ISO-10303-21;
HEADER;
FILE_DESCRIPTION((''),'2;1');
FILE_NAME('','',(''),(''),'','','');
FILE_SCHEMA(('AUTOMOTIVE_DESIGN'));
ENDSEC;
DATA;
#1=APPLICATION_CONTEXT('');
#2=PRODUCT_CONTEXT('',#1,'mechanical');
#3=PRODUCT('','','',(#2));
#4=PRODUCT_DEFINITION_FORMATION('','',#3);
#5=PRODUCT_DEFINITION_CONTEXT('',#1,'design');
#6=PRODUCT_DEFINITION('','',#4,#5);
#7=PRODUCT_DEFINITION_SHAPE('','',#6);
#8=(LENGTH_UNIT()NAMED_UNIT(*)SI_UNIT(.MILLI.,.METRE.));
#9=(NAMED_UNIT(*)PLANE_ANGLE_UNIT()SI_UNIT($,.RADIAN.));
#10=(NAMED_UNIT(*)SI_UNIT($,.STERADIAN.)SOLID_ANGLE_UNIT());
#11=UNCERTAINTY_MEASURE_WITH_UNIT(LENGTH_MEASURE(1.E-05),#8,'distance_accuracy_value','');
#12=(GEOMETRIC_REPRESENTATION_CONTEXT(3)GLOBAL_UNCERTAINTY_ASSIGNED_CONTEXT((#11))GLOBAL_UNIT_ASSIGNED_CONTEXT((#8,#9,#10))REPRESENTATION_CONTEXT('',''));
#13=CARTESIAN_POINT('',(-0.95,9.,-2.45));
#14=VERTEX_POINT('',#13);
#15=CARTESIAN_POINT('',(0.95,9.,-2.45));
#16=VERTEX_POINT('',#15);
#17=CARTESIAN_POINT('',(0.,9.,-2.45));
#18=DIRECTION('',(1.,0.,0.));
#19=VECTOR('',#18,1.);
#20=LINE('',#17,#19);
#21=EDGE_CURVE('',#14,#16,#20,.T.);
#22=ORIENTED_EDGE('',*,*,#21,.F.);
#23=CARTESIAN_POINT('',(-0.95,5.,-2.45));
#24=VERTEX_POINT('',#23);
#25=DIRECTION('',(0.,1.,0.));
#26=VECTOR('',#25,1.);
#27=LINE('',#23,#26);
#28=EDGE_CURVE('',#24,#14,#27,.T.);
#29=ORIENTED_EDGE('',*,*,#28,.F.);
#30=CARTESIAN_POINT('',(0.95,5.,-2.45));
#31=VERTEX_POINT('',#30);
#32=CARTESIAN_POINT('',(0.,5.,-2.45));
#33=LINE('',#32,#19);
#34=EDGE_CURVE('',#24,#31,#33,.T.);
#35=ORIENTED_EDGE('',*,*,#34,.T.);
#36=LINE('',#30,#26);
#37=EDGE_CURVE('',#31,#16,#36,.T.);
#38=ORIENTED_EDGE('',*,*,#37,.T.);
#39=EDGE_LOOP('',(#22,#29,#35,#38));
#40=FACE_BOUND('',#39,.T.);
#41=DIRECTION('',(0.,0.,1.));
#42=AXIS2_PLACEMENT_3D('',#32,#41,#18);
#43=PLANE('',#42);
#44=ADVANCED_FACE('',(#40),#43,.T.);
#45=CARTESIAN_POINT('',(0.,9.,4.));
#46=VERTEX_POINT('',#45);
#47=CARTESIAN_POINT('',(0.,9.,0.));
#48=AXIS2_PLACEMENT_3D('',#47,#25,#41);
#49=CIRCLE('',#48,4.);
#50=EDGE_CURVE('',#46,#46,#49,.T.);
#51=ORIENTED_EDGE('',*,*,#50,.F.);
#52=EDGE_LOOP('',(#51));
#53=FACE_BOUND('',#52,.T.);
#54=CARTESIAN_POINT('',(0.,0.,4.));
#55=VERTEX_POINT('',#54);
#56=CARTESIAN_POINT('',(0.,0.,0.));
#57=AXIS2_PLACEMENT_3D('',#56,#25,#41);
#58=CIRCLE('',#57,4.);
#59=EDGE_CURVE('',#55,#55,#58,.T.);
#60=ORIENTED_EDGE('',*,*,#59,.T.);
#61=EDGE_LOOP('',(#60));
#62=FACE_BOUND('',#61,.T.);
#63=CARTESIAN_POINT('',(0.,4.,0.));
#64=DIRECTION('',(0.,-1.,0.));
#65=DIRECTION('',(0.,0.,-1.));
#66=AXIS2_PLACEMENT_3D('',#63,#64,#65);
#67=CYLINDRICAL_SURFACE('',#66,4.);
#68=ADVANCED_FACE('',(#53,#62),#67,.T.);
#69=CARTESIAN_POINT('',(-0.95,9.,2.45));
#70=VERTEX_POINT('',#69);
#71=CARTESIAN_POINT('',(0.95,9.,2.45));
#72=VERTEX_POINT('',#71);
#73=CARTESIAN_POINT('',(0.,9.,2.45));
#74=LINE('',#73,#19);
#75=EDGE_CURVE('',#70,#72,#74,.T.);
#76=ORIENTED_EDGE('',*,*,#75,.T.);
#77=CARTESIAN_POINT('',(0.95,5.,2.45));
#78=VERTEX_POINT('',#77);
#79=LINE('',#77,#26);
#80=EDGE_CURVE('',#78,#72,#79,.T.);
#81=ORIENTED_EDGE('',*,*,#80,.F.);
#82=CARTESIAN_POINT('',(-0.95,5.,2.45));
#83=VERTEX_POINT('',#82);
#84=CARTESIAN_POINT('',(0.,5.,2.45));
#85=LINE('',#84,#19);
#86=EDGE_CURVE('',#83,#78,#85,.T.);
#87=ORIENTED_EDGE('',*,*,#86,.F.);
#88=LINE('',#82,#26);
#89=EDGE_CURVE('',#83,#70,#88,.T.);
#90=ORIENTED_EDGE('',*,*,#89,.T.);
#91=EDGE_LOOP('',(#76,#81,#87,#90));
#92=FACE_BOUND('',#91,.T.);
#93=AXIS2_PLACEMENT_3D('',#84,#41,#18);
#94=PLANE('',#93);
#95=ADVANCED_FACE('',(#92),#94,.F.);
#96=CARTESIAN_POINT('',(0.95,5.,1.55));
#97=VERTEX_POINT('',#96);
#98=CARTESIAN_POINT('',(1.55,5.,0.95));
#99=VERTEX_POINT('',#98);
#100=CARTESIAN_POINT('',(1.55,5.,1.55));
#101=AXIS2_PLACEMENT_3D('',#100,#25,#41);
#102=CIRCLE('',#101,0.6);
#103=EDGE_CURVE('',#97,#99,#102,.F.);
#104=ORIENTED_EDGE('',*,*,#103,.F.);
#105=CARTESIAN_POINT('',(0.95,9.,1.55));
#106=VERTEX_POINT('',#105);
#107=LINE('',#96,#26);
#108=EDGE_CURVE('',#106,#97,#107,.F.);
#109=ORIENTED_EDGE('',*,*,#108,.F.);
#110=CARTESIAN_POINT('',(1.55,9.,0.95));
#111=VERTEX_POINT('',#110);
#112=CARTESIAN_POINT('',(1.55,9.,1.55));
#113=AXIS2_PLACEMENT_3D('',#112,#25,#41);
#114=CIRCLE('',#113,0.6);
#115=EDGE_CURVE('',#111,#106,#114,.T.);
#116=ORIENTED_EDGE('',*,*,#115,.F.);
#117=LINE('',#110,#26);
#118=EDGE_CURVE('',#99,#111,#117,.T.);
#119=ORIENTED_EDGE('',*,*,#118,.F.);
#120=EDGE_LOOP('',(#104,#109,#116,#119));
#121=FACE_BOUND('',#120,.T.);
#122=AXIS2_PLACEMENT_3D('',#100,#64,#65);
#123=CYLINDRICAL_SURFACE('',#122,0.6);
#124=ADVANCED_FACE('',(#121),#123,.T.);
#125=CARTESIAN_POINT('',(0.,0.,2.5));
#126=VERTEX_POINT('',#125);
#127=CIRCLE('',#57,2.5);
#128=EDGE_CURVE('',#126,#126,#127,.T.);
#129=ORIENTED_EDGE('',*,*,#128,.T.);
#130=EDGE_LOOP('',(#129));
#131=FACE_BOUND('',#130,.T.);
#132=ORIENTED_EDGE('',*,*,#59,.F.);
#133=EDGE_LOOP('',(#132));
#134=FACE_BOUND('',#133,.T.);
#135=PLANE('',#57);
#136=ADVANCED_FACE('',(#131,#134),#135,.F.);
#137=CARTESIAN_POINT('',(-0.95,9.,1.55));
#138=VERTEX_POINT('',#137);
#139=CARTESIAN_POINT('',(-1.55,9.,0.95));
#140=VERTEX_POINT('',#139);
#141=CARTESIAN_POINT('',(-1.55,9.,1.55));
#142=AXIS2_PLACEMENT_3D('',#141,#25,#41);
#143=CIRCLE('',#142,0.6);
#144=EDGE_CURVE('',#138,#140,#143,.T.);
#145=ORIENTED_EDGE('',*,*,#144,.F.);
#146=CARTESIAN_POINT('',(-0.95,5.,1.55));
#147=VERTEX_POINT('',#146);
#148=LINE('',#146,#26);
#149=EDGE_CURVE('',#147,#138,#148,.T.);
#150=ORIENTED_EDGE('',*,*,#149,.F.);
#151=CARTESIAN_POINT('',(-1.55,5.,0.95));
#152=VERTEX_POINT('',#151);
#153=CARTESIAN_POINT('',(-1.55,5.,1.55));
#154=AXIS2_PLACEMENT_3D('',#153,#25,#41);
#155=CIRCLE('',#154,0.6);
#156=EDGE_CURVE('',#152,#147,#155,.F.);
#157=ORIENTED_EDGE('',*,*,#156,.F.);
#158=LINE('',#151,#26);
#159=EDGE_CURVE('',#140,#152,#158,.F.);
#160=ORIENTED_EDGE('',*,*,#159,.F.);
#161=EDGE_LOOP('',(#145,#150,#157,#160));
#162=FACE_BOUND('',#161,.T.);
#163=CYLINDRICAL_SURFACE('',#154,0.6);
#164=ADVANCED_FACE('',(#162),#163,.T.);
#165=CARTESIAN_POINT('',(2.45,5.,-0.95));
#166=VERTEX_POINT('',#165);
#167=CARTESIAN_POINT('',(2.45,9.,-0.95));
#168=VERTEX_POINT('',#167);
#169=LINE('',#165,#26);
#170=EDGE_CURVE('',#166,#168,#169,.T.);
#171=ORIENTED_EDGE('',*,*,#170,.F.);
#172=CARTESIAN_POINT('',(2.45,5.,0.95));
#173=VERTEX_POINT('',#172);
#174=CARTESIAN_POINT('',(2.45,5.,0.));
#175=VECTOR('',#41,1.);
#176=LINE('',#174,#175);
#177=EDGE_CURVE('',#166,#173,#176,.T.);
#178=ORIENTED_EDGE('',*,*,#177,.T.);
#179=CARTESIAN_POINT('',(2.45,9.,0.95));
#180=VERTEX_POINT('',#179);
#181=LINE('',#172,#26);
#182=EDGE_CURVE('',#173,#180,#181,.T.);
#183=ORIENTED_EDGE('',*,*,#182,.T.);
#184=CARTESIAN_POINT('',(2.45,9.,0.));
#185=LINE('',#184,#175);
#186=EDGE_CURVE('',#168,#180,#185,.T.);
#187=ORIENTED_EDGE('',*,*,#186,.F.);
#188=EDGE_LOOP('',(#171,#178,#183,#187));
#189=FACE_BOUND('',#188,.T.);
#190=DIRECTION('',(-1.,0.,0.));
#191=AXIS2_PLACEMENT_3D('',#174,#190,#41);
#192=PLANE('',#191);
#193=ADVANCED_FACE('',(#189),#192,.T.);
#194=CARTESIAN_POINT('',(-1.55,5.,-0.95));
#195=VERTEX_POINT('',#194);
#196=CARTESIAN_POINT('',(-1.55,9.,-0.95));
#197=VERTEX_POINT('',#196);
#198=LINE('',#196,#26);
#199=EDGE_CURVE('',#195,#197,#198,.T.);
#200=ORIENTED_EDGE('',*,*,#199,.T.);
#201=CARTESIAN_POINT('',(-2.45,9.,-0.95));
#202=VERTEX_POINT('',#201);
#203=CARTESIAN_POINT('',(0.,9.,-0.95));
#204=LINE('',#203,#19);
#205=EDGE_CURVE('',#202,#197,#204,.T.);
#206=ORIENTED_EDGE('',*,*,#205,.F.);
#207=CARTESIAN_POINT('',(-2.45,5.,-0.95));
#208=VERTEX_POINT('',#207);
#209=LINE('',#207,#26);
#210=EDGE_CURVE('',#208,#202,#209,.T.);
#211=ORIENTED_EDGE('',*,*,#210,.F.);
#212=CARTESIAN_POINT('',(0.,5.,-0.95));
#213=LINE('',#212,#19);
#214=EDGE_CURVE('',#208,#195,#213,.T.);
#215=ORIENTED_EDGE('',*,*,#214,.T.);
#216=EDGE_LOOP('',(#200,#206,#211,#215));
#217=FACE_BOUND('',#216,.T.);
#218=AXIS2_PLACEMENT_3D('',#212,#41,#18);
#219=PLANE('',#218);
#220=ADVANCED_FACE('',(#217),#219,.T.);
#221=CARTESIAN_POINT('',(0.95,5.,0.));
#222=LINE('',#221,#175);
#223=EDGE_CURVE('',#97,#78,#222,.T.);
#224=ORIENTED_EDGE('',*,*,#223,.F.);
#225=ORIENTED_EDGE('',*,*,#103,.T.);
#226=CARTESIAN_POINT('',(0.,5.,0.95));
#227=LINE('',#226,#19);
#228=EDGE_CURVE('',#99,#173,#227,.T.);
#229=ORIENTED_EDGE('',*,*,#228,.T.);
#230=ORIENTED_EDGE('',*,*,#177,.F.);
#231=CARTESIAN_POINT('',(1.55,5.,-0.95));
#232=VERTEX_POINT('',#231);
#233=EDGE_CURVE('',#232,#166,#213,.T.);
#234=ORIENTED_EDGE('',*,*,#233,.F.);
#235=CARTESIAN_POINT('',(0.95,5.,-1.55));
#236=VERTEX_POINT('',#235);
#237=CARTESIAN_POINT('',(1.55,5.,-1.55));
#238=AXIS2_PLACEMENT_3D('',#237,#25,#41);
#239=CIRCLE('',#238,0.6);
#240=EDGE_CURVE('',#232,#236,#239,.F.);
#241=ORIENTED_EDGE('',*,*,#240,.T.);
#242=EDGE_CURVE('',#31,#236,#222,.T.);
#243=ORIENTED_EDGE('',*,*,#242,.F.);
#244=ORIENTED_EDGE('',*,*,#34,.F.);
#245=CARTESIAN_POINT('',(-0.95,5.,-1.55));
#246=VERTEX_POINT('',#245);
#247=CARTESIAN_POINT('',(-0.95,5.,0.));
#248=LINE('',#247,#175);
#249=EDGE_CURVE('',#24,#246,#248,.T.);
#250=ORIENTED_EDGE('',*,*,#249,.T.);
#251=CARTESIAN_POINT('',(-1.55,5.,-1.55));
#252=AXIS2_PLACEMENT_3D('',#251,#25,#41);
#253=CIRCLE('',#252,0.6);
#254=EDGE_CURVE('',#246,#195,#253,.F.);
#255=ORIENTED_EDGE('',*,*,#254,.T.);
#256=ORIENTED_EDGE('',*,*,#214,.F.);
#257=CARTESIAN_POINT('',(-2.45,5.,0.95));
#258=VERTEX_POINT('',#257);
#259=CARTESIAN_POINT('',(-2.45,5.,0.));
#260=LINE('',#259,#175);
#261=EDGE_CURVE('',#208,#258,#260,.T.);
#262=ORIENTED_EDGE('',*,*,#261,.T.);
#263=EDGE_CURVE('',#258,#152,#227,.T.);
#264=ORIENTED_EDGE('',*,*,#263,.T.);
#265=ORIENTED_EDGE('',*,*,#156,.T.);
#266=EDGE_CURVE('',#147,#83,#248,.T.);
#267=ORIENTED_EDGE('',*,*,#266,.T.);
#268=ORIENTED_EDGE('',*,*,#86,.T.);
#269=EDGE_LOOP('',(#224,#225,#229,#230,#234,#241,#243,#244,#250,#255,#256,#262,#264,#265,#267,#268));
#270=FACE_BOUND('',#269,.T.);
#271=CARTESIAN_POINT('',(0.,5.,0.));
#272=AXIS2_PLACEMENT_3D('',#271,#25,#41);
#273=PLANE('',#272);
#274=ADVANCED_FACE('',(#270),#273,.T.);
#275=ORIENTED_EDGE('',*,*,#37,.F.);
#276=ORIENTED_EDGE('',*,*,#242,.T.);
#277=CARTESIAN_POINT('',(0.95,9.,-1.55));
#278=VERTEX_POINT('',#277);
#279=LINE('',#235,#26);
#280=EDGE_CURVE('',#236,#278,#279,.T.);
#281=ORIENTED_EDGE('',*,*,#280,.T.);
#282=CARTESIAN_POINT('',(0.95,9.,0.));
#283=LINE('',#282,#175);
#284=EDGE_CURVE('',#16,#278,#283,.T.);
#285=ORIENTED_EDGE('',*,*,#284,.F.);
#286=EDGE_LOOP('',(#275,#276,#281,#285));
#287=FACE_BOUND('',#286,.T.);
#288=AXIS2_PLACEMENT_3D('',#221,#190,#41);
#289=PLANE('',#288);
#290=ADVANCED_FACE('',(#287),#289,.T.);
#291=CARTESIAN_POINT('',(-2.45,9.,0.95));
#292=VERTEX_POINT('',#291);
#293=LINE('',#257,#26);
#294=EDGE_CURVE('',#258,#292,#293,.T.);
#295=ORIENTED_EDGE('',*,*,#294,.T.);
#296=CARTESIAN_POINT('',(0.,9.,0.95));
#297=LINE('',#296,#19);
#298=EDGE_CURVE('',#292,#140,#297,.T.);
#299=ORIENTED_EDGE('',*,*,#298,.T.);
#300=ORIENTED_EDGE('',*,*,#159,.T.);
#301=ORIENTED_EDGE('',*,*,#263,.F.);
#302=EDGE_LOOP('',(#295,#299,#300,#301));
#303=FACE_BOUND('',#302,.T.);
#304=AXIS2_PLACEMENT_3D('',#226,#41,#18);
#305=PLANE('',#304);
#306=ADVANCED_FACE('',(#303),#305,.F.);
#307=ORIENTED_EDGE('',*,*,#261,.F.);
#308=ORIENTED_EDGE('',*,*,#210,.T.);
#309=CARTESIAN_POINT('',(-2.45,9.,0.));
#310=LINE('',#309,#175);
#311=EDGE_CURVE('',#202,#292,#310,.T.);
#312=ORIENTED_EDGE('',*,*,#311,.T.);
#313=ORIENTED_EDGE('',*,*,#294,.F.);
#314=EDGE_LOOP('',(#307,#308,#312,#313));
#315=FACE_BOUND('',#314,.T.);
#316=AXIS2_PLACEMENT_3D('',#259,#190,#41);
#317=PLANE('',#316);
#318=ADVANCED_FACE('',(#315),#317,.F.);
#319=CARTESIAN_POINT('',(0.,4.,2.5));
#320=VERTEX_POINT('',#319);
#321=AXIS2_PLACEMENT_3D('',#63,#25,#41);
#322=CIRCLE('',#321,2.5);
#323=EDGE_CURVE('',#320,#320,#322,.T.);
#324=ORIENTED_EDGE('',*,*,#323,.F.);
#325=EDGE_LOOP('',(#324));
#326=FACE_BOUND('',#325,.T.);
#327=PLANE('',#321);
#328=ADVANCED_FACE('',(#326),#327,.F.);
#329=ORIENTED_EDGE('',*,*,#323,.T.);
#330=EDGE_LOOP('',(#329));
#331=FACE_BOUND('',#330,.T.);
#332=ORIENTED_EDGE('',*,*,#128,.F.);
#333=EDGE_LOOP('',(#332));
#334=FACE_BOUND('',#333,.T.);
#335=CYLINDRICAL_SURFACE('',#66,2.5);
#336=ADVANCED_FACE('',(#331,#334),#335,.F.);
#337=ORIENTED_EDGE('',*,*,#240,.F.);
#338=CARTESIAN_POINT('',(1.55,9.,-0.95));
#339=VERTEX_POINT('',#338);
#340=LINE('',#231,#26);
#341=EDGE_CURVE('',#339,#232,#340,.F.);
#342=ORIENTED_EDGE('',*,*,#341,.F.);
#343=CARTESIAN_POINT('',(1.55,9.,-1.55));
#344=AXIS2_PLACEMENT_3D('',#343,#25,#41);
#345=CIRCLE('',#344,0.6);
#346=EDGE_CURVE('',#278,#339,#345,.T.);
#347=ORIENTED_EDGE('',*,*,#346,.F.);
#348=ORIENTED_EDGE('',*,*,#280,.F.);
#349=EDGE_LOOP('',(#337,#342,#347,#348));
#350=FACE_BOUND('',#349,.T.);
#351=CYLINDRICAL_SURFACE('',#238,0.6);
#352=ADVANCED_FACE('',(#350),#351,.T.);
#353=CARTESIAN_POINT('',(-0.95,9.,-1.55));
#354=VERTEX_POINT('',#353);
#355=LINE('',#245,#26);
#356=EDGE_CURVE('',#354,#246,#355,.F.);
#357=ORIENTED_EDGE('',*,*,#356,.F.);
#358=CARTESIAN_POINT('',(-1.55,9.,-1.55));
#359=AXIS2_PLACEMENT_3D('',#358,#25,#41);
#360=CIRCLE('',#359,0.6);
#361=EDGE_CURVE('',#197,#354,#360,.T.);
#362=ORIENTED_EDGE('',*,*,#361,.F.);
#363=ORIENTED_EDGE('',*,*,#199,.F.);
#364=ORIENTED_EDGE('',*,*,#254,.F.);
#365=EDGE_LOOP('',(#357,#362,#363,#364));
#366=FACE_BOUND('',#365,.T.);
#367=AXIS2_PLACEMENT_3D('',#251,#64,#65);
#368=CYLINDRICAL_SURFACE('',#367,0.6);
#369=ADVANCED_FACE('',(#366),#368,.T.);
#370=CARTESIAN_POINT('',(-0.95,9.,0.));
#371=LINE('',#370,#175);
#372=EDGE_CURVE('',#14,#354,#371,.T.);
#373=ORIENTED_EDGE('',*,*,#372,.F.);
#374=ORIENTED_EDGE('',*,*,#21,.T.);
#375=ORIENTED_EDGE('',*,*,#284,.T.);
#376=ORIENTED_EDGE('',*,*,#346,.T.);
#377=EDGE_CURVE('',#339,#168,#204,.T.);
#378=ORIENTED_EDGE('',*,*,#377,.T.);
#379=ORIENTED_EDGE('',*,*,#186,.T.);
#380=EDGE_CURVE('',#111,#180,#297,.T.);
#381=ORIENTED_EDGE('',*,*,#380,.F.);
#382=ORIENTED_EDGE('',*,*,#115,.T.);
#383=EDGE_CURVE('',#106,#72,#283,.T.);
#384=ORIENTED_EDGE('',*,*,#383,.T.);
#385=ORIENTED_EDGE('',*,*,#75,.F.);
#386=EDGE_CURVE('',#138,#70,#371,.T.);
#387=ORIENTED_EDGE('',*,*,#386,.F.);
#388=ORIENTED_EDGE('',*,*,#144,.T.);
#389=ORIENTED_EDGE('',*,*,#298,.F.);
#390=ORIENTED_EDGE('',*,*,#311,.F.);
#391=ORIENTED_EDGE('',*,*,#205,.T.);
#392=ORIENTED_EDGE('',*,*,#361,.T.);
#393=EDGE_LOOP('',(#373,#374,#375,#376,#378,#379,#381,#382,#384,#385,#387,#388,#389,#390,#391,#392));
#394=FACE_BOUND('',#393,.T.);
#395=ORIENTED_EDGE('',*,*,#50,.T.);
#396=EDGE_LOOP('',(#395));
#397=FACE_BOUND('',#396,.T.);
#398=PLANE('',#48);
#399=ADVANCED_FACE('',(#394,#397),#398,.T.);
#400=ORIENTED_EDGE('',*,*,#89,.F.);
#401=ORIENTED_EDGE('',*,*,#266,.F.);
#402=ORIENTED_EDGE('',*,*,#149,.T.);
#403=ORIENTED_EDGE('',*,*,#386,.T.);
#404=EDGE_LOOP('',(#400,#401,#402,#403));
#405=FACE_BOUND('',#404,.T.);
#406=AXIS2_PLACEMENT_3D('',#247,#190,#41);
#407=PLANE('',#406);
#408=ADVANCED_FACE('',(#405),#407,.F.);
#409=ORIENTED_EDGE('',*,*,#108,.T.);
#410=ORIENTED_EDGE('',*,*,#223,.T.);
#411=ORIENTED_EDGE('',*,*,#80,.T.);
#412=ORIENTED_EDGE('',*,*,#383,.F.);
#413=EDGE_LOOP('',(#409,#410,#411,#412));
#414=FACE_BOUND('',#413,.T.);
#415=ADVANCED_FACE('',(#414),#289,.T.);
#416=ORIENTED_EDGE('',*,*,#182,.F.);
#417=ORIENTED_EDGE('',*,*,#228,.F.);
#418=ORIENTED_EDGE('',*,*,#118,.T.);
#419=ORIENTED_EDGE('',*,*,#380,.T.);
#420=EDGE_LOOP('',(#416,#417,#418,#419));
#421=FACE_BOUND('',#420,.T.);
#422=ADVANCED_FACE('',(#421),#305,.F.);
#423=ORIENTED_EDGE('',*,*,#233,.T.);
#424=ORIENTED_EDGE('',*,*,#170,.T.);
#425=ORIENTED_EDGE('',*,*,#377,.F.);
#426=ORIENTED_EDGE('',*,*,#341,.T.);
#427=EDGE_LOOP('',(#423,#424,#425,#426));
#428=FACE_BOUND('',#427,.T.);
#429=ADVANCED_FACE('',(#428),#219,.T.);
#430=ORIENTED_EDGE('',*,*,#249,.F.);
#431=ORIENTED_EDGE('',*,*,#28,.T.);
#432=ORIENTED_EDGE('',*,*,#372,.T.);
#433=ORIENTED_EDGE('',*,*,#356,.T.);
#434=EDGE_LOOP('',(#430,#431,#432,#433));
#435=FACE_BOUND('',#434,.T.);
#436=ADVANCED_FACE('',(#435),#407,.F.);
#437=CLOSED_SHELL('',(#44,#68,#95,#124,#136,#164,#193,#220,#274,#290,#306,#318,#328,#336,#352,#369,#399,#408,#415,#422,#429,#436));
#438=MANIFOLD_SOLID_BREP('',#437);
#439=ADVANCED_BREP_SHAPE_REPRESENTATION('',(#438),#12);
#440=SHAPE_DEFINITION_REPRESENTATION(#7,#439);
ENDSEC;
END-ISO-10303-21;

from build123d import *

# Parameters (mm, degrees)
SKETCH1_R           = 4
SKETCH1_R_2         = 2.5
BOSS_EXTRUDE1_DEPTH = 4
SKETCH3_R           = 4
BOSS_EXTRUDE2_DEPTH = 5
SKETCH4_W           = 1.5
SKETCH4_H           = 1.9
SKETCH4_W_2         = 1.9
SKETCH4_H_2         = 1.5
CUT_EXTRUDE1_DEPTH  = 4
FILLET1_R           = 0.6


with BuildPart() as part:
    # Sketch1 → Boss-Extrude1 (new body)
    with BuildSketch(Plane(origin=(0, 0, 0), x_dir=(1, 0, 0), z_dir=(0, 1, 0))):
        with Locations(Location((0, 0, 0), (0, 0, 270))):
            Circle(SKETCH1_R)
        with Locations(Location((0, 0, 0), (0, 0, 270))):
            Circle(SKETCH1_R_2, mode=Mode.SUBTRACT)
    extrude(amount=BOSS_EXTRUDE1_DEPTH)

    # Sketch3 → Boss-Extrude2 (add)
    with BuildSketch(Plane(origin=(0, 4, 0), x_dir=(1, 0, 0), z_dir=(0, 1, 0))):
        with Locations(Location((0, 0, 0), (0, 0, 270))):
            Circle(SKETCH3_R)
    extrude(amount=BOSS_EXTRUDE2_DEPTH)

    # Sketch4 → Cut-Extrude1 (cut)
    with BuildSketch(Plane(origin=(0, 9, 0), x_dir=(1, 0, 0), z_dir=(0, 1, 0))):
        with Locations((-1.7, 0)):
            Rectangle(SKETCH4_W, SKETCH4_H)
        with Locations((0, 1.7)):
            Rectangle(SKETCH4_W_2, SKETCH4_H_2)
        with Locations((1.7, 0)):
            Rectangle(SKETCH4_W, SKETCH4_H)
        Rectangle(SKETCH4_W_2, SKETCH4_H)
        with Locations((0, -1.7)):
            Rectangle(SKETCH4_W_2, SKETCH4_H_2)
    extrude(amount=-CUT_EXTRUDE1_DEPTH, mode=Mode.SUBTRACT)

    # Fillet1
    fillet1_edges = [part.edges().sort_by_distance(p)[0] for p in [
        (-0.95, 7, -0.95),
        (0.95, 7, -0.95),
        (0.95, 7, 0.95),
        (-0.95, 7, 0.95),
    ]]
    fillet(fillet1_edges, radius=FILLET1_R)


solid = part.part
